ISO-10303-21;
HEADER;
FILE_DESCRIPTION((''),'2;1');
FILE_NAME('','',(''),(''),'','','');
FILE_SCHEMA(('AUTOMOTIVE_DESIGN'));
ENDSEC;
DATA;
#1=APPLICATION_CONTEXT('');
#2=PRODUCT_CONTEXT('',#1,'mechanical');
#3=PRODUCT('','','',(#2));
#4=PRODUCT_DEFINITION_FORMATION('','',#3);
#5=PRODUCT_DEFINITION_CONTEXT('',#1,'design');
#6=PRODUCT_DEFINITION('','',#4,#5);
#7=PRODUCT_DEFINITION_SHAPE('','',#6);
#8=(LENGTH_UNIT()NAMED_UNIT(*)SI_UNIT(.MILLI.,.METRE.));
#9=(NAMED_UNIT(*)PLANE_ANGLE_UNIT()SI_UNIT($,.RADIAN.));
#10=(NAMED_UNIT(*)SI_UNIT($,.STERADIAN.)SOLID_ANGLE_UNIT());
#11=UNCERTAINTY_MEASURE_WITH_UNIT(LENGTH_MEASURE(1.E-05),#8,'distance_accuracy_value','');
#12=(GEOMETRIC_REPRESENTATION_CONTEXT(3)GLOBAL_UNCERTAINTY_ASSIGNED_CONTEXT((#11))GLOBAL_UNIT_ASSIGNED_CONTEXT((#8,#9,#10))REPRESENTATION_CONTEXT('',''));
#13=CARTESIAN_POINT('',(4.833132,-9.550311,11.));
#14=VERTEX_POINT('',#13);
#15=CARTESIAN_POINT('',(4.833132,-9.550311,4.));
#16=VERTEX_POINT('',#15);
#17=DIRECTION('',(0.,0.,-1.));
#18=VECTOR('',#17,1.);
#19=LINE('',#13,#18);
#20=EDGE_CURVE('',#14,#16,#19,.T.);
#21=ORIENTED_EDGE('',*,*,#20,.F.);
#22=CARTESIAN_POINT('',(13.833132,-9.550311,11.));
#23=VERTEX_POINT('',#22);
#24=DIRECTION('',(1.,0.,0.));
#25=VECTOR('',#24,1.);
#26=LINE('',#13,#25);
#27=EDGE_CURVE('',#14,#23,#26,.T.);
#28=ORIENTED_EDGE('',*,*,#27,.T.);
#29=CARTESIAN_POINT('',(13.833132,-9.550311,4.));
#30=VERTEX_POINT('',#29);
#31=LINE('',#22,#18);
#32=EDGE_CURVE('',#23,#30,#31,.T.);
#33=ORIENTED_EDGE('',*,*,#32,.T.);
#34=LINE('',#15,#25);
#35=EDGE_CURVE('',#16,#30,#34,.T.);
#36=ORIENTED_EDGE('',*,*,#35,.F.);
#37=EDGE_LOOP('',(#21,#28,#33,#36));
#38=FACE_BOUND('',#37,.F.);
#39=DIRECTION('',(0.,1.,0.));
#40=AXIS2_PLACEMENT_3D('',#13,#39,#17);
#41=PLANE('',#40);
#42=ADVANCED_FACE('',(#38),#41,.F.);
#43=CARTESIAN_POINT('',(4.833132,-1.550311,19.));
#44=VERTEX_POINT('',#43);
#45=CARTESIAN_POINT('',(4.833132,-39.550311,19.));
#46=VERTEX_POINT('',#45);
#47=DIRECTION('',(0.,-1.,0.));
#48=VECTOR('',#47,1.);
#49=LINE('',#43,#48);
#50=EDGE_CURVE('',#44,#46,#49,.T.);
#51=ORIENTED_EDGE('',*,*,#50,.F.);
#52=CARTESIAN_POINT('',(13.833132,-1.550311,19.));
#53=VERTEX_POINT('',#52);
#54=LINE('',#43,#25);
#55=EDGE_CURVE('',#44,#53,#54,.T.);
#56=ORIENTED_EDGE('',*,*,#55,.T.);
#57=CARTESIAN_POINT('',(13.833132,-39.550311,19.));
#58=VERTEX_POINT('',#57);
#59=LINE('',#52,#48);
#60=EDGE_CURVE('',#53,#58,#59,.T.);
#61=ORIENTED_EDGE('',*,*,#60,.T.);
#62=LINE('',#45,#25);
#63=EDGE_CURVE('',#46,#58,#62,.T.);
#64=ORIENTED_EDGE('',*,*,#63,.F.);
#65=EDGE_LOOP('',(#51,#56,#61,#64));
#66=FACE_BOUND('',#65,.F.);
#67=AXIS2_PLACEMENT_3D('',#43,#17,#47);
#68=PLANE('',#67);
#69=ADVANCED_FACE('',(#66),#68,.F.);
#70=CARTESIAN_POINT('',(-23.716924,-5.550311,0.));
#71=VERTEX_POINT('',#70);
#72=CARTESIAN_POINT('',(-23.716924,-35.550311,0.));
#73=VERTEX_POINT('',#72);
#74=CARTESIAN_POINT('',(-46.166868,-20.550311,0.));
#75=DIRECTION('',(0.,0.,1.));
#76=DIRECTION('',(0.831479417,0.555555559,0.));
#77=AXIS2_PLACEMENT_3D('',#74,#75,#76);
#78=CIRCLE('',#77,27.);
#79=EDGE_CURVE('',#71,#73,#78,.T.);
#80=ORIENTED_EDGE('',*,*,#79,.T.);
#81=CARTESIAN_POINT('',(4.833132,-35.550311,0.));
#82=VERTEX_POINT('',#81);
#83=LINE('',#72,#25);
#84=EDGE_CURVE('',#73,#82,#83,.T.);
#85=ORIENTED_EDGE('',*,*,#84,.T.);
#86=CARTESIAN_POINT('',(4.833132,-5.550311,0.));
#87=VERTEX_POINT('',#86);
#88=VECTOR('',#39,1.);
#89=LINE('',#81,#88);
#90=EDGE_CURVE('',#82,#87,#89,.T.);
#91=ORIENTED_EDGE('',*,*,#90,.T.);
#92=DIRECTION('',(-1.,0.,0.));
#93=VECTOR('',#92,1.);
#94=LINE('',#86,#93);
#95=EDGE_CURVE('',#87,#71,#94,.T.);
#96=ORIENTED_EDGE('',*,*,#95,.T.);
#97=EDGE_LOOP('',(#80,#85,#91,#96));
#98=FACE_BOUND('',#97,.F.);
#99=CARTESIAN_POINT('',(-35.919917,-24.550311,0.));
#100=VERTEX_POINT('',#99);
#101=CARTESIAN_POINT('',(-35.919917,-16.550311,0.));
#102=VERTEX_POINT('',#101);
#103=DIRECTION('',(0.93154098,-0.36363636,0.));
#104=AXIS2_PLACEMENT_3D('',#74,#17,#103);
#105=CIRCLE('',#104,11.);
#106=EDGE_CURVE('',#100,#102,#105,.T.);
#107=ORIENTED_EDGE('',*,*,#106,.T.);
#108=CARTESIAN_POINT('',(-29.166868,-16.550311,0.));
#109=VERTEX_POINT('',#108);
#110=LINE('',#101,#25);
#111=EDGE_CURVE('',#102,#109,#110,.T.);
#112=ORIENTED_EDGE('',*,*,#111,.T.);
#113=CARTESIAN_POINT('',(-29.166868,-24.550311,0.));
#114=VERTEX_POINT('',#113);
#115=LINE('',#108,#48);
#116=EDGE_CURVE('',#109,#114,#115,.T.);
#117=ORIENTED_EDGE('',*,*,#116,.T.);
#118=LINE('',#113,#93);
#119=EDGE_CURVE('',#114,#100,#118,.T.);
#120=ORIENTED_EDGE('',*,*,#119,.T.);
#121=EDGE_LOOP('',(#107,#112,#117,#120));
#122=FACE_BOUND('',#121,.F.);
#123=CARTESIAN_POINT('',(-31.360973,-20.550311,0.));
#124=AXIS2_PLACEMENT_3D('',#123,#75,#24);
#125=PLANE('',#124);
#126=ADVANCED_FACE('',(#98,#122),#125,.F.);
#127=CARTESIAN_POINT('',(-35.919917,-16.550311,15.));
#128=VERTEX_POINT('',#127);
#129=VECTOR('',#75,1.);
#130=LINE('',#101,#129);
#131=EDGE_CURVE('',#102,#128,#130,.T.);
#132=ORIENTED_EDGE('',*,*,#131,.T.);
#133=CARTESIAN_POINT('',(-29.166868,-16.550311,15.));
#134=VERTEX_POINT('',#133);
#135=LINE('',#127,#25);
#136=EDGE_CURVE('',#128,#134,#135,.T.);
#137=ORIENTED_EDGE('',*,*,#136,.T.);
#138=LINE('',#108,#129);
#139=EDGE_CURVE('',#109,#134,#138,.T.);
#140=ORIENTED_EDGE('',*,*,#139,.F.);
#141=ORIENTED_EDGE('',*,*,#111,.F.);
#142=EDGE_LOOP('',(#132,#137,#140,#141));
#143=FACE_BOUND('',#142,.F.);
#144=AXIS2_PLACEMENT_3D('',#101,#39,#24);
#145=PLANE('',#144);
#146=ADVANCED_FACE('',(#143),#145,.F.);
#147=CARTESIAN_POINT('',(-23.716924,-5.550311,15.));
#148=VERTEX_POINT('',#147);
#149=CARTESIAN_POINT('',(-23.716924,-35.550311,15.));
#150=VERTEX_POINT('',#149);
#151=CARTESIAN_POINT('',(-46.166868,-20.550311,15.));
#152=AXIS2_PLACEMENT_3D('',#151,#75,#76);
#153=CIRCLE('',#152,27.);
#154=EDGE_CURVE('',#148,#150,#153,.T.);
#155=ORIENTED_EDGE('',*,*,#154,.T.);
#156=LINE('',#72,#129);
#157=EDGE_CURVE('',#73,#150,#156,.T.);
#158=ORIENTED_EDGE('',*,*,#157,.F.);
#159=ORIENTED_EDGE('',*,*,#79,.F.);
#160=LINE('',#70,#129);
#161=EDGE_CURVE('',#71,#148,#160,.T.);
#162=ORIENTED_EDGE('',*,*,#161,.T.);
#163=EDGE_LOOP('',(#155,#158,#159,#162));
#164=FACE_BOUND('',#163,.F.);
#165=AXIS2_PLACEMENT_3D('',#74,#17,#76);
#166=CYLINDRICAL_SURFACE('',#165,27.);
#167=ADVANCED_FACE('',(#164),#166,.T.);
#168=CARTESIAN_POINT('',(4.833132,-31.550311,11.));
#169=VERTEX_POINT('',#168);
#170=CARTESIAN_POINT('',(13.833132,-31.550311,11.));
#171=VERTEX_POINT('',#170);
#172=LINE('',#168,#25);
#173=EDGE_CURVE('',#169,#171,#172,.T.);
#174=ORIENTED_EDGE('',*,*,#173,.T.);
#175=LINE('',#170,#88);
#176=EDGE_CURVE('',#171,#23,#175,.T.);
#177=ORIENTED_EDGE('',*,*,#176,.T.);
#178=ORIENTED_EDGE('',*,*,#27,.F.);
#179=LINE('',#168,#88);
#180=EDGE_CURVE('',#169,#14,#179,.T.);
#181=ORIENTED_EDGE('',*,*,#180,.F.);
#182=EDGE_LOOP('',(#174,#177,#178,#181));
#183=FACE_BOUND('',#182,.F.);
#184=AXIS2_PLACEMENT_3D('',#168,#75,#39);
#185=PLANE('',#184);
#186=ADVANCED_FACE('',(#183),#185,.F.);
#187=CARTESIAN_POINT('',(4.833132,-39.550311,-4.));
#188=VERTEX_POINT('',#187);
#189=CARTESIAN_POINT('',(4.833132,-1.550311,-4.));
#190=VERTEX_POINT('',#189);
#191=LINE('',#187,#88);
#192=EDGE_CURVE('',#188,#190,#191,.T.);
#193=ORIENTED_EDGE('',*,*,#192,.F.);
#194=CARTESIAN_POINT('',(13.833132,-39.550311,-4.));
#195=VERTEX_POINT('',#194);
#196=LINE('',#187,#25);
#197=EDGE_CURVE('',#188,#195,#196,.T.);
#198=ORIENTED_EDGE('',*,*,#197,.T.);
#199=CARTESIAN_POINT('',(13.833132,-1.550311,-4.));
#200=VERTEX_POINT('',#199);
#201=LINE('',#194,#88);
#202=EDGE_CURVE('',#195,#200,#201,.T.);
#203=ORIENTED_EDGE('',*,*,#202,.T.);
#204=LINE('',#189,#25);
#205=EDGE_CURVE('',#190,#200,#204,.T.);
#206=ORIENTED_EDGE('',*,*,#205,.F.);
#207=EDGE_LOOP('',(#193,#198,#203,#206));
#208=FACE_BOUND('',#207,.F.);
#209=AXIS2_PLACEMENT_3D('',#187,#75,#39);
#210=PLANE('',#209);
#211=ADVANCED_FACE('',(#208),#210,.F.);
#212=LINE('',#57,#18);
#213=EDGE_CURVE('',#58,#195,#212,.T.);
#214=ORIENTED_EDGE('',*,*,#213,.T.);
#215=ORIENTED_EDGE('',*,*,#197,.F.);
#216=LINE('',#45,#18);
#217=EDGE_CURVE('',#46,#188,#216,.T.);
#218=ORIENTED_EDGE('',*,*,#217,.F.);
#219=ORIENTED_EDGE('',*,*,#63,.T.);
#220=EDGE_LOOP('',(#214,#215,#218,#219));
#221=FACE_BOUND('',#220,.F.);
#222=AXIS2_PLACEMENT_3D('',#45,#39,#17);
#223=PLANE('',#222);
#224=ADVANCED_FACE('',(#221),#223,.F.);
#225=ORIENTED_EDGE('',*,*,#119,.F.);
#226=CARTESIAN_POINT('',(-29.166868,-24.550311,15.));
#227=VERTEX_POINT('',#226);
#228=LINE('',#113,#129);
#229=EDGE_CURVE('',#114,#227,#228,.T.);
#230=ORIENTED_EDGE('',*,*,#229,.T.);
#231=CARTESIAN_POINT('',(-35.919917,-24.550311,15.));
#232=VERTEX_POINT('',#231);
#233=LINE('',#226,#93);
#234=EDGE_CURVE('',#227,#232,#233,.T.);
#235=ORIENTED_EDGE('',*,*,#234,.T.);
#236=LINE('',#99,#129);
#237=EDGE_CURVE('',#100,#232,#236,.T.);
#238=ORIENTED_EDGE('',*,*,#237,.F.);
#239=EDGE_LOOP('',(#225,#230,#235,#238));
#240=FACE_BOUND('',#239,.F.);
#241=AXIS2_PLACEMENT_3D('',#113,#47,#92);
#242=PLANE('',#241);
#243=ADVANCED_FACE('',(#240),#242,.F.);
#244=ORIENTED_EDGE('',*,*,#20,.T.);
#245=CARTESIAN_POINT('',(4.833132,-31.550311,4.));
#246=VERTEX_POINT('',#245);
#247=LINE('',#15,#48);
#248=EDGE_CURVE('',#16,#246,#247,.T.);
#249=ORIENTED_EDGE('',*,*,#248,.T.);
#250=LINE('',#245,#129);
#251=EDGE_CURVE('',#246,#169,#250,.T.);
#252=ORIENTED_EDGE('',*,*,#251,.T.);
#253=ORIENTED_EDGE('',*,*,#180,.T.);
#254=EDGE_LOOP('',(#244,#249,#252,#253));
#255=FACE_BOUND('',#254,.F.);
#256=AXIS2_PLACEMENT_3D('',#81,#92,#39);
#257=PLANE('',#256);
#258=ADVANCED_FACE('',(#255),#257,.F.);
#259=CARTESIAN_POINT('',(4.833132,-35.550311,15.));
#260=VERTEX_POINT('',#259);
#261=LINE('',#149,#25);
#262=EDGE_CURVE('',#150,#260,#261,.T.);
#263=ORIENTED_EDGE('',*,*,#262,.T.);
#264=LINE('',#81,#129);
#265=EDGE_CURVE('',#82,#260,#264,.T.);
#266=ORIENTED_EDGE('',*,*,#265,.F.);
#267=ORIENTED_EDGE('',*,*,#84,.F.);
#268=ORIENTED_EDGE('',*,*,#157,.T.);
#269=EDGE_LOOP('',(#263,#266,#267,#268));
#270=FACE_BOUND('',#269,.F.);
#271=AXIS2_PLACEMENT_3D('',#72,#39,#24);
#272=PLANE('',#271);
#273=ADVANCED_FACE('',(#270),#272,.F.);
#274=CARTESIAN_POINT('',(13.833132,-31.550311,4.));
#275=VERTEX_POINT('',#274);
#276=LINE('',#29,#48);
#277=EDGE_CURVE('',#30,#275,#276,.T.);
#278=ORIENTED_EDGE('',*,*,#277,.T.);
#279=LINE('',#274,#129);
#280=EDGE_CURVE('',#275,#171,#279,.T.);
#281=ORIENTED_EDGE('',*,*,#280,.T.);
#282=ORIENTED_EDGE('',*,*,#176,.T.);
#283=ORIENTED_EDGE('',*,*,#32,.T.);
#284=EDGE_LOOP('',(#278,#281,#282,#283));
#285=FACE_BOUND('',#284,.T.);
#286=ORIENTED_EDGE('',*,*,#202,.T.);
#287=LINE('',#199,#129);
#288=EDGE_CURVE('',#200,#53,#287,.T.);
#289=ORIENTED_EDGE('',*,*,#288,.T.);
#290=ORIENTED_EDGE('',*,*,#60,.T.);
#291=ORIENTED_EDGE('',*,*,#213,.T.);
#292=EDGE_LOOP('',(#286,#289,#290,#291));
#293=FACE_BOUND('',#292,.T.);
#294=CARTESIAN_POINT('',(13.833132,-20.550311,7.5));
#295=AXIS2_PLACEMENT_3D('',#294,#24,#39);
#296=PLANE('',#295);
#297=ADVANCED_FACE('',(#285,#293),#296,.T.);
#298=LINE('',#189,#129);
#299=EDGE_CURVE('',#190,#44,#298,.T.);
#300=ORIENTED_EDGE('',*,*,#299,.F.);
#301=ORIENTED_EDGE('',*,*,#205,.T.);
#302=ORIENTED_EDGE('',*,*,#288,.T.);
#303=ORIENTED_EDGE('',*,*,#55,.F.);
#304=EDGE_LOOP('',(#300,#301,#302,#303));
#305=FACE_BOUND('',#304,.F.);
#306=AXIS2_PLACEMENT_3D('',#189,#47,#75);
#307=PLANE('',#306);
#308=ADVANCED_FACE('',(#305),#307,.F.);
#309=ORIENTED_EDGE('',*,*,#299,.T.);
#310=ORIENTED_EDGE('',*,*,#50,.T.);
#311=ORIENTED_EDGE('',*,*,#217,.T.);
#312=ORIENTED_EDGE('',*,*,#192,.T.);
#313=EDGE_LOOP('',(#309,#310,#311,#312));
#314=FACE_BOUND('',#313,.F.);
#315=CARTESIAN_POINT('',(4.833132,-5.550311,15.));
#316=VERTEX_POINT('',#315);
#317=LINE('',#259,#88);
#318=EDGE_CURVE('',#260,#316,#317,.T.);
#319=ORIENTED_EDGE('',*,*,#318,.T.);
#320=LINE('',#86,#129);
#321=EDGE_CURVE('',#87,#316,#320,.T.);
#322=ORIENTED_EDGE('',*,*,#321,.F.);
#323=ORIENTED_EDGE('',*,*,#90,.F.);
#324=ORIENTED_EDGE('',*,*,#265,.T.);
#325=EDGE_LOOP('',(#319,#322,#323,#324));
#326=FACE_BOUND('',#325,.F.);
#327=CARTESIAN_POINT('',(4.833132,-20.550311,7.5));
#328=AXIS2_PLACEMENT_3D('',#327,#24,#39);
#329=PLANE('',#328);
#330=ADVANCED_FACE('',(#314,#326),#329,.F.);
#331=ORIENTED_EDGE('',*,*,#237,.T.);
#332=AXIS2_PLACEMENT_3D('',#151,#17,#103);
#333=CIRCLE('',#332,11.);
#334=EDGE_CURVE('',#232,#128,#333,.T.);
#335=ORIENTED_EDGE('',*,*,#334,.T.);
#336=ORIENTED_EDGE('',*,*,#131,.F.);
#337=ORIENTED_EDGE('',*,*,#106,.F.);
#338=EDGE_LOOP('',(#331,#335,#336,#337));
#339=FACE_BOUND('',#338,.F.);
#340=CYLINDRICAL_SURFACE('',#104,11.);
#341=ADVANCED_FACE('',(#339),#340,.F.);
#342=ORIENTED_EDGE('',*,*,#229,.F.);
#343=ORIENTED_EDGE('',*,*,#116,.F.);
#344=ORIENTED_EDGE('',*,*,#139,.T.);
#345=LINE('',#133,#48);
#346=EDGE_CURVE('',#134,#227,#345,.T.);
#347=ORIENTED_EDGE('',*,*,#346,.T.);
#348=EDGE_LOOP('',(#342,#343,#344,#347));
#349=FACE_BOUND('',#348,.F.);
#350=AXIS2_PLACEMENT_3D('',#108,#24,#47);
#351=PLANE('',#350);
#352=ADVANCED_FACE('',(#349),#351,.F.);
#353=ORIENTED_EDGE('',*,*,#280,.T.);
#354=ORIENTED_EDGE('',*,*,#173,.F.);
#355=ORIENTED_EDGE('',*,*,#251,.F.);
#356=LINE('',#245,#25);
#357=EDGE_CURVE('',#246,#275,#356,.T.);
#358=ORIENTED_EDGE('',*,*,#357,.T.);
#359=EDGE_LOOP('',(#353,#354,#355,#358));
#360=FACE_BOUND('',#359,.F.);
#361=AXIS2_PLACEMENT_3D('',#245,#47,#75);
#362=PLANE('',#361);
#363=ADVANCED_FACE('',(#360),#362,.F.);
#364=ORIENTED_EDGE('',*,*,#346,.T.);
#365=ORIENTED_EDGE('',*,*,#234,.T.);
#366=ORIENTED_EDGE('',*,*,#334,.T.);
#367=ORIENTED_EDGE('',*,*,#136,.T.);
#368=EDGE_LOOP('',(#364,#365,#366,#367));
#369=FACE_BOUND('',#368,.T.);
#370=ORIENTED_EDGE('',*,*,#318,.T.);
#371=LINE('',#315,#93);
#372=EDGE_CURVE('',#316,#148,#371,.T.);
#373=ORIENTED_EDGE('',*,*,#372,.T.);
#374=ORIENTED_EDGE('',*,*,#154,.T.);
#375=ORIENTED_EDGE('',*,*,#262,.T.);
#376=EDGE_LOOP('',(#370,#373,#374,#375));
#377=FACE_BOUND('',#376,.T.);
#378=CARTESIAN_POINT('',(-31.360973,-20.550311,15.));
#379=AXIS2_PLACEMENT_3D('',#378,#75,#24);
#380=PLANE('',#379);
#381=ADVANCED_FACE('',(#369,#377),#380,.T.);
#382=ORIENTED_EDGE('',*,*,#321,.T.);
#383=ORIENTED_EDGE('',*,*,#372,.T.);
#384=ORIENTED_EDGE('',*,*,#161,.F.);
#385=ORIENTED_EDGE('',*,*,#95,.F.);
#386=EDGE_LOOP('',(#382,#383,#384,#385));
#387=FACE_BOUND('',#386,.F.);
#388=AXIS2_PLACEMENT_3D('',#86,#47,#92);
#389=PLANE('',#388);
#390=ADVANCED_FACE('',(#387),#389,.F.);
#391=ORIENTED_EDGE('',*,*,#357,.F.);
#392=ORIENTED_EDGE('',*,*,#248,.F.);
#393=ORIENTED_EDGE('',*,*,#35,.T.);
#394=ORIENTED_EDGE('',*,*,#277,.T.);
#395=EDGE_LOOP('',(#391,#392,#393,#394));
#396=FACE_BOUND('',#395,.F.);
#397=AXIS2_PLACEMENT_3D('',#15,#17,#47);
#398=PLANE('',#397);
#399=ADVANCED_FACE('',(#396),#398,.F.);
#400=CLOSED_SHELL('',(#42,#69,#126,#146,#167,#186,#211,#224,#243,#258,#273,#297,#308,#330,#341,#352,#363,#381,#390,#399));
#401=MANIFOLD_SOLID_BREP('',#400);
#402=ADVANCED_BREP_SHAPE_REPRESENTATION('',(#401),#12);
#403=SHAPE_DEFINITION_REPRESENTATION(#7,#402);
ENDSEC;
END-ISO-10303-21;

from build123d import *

# Parameters (mm, degrees)
F1_DEPTH = 15
F3_DEPTH = 9


with BuildPart() as f1:
    # F0 (on Top) → F1 (new body)
    with BuildSketch(Plane.XY):
        with BuildLine():
            Line((4.833132, -35.550311), (4.833132, -20.550311))
            Line((4.833132, -20.550311), (4.833132, -5.550311))
            Line((4.833132, -5.550311), (-23.716924, -5.550311))
            ThreePointArc((-23.716924, -5.550311), (-73.166868, -20.550311), (-23.716924, -35.550311))
            Line((-23.716924, -35.550311), (4.833132, -35.550311))
        make_face()
        with BuildLine():
            Line((-29.166868, -16.550311), (-29.166868, -20.550311))
            Line((-29.166868, -20.550311), (-29.166868, -24.550311))
            Line((-29.166868, -24.550311), (-35.919917, -24.550311))
            ThreePointArc((-35.919917, -24.550311), (-57.166868, -20.550311), (-35.919917, -16.550311))
            Line((-35.919917, -16.550311), (-29.166868, -16.550311))
        make_face(mode=Mode.SUBTRACT)
    extrude(amount=F1_DEPTH)

    # F2 (on face) → F3 (join)
    with BuildSketch(Plane.YZ.offset(4.833132)):
        Polygon((-1.550311, 19), (-20.550311, 19), (-39.550311, 19), (-39.550311, -4), (-1.550311, -4), align=None)
        Polygon((-31.550311, 11), (-20.550311, 11), (-9.550311, 11), (-9.550311, 4), (-20.550311, 4), (-31.550311, 4), align=None, mode=Mode.SUBTRACT)
    extrude(amount=F3_DEPTH)


solid = f1.part
